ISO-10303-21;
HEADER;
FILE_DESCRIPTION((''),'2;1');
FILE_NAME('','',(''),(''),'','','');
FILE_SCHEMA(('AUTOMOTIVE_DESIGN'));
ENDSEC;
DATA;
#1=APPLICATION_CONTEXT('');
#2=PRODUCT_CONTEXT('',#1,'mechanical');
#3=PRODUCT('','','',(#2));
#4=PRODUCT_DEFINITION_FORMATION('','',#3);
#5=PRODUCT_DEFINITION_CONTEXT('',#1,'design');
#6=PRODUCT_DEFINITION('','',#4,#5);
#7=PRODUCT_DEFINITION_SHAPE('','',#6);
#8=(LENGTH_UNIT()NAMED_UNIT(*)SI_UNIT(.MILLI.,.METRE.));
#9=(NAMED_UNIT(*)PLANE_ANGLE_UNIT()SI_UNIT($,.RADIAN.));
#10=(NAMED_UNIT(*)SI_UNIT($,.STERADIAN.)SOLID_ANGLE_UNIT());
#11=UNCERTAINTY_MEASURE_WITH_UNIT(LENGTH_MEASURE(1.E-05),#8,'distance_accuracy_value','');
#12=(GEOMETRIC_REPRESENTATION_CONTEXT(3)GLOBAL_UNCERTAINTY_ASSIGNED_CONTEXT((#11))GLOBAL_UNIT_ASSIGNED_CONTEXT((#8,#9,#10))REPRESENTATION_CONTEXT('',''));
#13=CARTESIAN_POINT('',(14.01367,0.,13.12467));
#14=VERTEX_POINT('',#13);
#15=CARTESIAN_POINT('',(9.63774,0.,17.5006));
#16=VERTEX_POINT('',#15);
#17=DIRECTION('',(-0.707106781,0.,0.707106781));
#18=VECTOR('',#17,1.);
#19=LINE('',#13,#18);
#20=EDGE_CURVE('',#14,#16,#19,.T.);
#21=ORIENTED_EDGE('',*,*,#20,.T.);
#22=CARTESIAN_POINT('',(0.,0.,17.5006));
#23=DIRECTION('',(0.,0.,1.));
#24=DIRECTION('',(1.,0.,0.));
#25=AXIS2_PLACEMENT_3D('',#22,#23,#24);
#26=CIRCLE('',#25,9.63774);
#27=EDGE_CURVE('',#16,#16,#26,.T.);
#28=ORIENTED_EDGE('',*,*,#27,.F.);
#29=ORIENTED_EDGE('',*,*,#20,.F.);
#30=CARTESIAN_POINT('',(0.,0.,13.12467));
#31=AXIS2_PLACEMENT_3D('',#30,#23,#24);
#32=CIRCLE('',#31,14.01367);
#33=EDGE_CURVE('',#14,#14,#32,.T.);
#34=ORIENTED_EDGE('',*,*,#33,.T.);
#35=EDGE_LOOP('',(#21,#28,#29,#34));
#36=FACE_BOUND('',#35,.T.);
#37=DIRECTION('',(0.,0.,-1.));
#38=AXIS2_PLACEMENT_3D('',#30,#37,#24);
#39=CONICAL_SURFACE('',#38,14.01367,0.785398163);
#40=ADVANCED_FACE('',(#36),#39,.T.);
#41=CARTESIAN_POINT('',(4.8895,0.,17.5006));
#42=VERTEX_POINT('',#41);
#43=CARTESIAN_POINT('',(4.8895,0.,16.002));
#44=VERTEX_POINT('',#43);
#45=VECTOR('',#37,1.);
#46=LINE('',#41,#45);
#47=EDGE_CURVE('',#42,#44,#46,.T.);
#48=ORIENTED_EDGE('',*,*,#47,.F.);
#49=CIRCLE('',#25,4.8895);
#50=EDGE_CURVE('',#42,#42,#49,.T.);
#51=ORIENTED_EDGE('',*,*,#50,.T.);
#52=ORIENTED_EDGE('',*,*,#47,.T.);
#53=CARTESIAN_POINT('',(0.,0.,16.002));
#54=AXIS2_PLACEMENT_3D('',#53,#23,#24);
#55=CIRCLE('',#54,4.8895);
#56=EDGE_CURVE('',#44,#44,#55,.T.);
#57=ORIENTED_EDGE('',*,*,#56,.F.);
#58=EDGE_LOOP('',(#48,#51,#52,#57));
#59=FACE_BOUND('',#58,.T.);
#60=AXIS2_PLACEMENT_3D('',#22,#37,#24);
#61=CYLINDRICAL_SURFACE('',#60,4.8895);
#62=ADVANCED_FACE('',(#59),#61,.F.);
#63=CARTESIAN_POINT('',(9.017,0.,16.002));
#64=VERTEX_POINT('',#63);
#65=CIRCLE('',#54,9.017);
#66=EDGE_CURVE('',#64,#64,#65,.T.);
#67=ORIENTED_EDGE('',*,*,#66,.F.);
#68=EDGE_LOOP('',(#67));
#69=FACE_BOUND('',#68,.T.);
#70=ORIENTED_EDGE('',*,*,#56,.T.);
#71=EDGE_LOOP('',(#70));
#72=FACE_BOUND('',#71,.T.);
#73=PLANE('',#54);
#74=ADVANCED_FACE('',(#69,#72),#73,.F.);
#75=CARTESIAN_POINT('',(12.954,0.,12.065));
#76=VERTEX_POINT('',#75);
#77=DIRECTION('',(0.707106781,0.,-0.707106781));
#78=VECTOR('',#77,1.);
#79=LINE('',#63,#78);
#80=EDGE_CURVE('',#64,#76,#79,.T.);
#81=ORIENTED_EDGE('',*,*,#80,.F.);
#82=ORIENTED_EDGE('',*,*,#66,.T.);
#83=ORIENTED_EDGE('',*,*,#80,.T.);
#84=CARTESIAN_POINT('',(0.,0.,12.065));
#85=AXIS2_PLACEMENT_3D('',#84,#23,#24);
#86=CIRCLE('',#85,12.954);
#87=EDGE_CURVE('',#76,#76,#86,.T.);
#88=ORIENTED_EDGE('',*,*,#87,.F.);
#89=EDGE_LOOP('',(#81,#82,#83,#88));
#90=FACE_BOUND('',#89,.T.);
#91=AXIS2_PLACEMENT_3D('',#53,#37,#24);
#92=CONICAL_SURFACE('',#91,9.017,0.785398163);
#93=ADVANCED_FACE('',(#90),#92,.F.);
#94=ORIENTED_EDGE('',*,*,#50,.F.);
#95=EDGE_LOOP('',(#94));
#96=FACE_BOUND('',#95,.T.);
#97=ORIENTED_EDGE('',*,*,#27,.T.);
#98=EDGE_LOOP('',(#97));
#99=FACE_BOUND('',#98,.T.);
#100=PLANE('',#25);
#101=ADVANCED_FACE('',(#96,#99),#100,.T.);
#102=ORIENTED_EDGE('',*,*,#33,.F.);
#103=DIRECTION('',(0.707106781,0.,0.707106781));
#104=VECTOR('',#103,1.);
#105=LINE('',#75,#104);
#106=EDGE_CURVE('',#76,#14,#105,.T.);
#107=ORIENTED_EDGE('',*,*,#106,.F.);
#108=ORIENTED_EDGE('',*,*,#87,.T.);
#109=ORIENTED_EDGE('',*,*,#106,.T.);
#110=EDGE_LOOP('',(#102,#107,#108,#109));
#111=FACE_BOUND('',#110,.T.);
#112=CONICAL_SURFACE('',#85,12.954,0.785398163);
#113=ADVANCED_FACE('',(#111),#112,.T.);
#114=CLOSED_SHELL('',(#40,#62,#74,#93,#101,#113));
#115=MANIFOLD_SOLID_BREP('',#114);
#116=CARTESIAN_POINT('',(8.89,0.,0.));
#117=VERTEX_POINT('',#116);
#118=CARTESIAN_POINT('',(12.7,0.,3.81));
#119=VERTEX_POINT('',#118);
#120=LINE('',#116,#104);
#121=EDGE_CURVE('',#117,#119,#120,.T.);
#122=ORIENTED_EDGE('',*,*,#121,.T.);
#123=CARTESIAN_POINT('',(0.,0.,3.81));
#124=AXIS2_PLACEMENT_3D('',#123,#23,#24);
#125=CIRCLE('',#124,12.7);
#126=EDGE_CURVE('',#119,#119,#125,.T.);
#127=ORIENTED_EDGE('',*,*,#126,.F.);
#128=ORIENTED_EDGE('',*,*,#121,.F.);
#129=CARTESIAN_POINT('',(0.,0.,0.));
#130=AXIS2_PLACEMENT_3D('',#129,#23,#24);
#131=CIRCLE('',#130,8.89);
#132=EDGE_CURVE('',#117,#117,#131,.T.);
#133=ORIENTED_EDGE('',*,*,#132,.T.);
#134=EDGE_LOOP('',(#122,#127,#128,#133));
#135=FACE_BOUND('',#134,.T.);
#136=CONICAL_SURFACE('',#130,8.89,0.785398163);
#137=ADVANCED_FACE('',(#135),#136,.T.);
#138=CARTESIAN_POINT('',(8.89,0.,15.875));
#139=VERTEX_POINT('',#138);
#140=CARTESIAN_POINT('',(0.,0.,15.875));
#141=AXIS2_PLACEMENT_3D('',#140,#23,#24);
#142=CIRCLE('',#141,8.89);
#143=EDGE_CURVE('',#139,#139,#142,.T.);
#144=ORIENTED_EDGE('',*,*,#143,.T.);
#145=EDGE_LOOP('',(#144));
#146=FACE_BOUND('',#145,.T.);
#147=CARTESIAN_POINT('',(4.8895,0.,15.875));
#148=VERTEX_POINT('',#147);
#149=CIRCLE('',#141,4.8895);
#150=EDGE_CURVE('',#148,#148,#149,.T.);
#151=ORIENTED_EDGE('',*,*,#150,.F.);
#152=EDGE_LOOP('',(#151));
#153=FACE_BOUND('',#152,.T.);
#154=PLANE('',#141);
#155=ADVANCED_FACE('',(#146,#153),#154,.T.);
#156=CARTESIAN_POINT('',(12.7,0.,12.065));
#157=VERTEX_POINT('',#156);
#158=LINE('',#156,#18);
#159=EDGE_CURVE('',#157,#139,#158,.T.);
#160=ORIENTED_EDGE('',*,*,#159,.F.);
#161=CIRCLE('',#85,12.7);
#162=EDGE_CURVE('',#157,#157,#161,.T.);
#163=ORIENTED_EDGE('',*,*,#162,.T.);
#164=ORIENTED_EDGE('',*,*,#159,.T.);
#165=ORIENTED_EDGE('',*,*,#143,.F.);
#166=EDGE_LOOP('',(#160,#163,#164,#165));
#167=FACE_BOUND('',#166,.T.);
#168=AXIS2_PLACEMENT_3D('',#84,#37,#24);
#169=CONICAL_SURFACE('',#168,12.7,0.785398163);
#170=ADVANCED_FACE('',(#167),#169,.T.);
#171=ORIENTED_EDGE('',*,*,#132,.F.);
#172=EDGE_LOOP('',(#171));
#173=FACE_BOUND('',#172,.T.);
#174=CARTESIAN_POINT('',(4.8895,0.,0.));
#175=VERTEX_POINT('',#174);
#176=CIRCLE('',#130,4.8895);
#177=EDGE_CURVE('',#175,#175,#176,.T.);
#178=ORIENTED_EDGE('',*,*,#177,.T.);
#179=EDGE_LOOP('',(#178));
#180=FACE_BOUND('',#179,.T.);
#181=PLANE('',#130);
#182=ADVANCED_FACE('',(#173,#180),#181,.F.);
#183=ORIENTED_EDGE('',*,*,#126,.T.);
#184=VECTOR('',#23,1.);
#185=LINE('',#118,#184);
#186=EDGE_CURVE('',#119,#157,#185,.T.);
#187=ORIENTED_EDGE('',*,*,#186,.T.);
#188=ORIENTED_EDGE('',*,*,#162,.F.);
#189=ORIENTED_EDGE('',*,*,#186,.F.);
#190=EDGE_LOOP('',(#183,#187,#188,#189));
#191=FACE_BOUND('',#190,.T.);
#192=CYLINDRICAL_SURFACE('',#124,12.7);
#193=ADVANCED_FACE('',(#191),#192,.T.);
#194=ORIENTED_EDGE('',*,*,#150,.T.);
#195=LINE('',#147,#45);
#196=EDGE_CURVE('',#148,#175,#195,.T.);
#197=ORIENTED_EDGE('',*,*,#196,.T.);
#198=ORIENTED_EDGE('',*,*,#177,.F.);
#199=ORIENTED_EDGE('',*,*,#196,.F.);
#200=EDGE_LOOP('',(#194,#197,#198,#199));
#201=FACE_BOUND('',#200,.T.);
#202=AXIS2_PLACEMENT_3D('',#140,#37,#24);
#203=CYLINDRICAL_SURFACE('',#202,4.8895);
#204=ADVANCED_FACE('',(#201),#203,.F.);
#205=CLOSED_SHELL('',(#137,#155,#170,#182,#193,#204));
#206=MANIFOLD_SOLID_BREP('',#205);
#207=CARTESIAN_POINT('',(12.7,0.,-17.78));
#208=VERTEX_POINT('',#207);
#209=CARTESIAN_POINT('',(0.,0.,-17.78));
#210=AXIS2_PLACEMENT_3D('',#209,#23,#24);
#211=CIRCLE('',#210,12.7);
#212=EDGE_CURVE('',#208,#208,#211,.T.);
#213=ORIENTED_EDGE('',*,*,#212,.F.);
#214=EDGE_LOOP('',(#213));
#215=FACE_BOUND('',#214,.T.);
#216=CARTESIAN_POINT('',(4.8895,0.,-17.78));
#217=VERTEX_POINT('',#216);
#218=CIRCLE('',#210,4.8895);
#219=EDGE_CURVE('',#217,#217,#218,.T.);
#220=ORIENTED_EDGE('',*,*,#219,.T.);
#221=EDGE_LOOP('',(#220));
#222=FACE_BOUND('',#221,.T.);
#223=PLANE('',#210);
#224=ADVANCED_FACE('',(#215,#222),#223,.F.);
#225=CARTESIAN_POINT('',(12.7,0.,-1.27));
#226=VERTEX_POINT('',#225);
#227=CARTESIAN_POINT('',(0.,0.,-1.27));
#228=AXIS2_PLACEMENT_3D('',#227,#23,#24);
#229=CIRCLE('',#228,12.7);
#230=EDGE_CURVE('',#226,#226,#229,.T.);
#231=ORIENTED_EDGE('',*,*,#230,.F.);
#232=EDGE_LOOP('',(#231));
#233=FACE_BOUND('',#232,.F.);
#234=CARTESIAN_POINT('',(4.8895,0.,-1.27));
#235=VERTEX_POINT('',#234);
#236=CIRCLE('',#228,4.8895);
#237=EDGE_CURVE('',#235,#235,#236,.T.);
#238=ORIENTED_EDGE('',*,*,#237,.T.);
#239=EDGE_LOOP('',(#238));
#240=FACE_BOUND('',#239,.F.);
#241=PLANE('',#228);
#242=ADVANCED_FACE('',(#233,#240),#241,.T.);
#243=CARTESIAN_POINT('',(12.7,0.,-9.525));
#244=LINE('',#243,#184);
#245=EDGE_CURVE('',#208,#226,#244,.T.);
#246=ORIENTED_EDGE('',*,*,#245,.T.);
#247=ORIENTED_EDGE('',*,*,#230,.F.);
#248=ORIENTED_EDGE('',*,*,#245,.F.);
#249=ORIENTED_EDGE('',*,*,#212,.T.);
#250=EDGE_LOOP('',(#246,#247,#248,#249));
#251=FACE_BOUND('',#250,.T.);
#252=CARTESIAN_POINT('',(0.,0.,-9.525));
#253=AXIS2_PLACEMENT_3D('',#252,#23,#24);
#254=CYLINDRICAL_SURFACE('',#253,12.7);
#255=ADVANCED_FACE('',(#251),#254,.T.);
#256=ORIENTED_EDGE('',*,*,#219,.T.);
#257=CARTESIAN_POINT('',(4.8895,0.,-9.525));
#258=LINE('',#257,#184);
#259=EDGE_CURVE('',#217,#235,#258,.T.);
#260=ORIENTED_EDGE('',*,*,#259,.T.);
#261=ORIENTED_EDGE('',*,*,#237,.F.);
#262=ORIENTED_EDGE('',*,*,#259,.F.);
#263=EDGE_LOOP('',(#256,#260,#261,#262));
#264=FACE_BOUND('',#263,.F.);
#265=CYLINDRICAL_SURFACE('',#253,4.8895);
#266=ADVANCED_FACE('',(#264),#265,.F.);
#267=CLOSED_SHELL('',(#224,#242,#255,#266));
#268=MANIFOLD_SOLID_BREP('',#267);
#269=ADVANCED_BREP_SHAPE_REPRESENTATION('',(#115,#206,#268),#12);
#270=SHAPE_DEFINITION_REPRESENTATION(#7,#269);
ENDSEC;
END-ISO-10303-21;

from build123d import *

# Parameters (mm, degrees)
F0_W = 7.8105
F0_H = 16.51


with BuildPart() as f1:
    # F0 (on Front) → F1 (revolve)
    with BuildSketch(Plane.XZ):
        with Locations((8.79475, -9.525)):
            Rectangle(F0_W, F0_H)
        Polygon((4.8895, 15.875), (4.8895, 0), (8.89, 0), (12.7, 3.81), (12.7, 12.065), (8.89, 15.875), align=None)
        Polygon((4.8895, 17.5006), (4.8895, 16.002), (9.017, 16.002), (12.954, 12.065), (14.01367, 13.12467), (9.63774, 17.5006), align=None)
    revolve(axis=Axis((0, 0, -1.127228), (0, 0, 1)))


solid = f1.part
